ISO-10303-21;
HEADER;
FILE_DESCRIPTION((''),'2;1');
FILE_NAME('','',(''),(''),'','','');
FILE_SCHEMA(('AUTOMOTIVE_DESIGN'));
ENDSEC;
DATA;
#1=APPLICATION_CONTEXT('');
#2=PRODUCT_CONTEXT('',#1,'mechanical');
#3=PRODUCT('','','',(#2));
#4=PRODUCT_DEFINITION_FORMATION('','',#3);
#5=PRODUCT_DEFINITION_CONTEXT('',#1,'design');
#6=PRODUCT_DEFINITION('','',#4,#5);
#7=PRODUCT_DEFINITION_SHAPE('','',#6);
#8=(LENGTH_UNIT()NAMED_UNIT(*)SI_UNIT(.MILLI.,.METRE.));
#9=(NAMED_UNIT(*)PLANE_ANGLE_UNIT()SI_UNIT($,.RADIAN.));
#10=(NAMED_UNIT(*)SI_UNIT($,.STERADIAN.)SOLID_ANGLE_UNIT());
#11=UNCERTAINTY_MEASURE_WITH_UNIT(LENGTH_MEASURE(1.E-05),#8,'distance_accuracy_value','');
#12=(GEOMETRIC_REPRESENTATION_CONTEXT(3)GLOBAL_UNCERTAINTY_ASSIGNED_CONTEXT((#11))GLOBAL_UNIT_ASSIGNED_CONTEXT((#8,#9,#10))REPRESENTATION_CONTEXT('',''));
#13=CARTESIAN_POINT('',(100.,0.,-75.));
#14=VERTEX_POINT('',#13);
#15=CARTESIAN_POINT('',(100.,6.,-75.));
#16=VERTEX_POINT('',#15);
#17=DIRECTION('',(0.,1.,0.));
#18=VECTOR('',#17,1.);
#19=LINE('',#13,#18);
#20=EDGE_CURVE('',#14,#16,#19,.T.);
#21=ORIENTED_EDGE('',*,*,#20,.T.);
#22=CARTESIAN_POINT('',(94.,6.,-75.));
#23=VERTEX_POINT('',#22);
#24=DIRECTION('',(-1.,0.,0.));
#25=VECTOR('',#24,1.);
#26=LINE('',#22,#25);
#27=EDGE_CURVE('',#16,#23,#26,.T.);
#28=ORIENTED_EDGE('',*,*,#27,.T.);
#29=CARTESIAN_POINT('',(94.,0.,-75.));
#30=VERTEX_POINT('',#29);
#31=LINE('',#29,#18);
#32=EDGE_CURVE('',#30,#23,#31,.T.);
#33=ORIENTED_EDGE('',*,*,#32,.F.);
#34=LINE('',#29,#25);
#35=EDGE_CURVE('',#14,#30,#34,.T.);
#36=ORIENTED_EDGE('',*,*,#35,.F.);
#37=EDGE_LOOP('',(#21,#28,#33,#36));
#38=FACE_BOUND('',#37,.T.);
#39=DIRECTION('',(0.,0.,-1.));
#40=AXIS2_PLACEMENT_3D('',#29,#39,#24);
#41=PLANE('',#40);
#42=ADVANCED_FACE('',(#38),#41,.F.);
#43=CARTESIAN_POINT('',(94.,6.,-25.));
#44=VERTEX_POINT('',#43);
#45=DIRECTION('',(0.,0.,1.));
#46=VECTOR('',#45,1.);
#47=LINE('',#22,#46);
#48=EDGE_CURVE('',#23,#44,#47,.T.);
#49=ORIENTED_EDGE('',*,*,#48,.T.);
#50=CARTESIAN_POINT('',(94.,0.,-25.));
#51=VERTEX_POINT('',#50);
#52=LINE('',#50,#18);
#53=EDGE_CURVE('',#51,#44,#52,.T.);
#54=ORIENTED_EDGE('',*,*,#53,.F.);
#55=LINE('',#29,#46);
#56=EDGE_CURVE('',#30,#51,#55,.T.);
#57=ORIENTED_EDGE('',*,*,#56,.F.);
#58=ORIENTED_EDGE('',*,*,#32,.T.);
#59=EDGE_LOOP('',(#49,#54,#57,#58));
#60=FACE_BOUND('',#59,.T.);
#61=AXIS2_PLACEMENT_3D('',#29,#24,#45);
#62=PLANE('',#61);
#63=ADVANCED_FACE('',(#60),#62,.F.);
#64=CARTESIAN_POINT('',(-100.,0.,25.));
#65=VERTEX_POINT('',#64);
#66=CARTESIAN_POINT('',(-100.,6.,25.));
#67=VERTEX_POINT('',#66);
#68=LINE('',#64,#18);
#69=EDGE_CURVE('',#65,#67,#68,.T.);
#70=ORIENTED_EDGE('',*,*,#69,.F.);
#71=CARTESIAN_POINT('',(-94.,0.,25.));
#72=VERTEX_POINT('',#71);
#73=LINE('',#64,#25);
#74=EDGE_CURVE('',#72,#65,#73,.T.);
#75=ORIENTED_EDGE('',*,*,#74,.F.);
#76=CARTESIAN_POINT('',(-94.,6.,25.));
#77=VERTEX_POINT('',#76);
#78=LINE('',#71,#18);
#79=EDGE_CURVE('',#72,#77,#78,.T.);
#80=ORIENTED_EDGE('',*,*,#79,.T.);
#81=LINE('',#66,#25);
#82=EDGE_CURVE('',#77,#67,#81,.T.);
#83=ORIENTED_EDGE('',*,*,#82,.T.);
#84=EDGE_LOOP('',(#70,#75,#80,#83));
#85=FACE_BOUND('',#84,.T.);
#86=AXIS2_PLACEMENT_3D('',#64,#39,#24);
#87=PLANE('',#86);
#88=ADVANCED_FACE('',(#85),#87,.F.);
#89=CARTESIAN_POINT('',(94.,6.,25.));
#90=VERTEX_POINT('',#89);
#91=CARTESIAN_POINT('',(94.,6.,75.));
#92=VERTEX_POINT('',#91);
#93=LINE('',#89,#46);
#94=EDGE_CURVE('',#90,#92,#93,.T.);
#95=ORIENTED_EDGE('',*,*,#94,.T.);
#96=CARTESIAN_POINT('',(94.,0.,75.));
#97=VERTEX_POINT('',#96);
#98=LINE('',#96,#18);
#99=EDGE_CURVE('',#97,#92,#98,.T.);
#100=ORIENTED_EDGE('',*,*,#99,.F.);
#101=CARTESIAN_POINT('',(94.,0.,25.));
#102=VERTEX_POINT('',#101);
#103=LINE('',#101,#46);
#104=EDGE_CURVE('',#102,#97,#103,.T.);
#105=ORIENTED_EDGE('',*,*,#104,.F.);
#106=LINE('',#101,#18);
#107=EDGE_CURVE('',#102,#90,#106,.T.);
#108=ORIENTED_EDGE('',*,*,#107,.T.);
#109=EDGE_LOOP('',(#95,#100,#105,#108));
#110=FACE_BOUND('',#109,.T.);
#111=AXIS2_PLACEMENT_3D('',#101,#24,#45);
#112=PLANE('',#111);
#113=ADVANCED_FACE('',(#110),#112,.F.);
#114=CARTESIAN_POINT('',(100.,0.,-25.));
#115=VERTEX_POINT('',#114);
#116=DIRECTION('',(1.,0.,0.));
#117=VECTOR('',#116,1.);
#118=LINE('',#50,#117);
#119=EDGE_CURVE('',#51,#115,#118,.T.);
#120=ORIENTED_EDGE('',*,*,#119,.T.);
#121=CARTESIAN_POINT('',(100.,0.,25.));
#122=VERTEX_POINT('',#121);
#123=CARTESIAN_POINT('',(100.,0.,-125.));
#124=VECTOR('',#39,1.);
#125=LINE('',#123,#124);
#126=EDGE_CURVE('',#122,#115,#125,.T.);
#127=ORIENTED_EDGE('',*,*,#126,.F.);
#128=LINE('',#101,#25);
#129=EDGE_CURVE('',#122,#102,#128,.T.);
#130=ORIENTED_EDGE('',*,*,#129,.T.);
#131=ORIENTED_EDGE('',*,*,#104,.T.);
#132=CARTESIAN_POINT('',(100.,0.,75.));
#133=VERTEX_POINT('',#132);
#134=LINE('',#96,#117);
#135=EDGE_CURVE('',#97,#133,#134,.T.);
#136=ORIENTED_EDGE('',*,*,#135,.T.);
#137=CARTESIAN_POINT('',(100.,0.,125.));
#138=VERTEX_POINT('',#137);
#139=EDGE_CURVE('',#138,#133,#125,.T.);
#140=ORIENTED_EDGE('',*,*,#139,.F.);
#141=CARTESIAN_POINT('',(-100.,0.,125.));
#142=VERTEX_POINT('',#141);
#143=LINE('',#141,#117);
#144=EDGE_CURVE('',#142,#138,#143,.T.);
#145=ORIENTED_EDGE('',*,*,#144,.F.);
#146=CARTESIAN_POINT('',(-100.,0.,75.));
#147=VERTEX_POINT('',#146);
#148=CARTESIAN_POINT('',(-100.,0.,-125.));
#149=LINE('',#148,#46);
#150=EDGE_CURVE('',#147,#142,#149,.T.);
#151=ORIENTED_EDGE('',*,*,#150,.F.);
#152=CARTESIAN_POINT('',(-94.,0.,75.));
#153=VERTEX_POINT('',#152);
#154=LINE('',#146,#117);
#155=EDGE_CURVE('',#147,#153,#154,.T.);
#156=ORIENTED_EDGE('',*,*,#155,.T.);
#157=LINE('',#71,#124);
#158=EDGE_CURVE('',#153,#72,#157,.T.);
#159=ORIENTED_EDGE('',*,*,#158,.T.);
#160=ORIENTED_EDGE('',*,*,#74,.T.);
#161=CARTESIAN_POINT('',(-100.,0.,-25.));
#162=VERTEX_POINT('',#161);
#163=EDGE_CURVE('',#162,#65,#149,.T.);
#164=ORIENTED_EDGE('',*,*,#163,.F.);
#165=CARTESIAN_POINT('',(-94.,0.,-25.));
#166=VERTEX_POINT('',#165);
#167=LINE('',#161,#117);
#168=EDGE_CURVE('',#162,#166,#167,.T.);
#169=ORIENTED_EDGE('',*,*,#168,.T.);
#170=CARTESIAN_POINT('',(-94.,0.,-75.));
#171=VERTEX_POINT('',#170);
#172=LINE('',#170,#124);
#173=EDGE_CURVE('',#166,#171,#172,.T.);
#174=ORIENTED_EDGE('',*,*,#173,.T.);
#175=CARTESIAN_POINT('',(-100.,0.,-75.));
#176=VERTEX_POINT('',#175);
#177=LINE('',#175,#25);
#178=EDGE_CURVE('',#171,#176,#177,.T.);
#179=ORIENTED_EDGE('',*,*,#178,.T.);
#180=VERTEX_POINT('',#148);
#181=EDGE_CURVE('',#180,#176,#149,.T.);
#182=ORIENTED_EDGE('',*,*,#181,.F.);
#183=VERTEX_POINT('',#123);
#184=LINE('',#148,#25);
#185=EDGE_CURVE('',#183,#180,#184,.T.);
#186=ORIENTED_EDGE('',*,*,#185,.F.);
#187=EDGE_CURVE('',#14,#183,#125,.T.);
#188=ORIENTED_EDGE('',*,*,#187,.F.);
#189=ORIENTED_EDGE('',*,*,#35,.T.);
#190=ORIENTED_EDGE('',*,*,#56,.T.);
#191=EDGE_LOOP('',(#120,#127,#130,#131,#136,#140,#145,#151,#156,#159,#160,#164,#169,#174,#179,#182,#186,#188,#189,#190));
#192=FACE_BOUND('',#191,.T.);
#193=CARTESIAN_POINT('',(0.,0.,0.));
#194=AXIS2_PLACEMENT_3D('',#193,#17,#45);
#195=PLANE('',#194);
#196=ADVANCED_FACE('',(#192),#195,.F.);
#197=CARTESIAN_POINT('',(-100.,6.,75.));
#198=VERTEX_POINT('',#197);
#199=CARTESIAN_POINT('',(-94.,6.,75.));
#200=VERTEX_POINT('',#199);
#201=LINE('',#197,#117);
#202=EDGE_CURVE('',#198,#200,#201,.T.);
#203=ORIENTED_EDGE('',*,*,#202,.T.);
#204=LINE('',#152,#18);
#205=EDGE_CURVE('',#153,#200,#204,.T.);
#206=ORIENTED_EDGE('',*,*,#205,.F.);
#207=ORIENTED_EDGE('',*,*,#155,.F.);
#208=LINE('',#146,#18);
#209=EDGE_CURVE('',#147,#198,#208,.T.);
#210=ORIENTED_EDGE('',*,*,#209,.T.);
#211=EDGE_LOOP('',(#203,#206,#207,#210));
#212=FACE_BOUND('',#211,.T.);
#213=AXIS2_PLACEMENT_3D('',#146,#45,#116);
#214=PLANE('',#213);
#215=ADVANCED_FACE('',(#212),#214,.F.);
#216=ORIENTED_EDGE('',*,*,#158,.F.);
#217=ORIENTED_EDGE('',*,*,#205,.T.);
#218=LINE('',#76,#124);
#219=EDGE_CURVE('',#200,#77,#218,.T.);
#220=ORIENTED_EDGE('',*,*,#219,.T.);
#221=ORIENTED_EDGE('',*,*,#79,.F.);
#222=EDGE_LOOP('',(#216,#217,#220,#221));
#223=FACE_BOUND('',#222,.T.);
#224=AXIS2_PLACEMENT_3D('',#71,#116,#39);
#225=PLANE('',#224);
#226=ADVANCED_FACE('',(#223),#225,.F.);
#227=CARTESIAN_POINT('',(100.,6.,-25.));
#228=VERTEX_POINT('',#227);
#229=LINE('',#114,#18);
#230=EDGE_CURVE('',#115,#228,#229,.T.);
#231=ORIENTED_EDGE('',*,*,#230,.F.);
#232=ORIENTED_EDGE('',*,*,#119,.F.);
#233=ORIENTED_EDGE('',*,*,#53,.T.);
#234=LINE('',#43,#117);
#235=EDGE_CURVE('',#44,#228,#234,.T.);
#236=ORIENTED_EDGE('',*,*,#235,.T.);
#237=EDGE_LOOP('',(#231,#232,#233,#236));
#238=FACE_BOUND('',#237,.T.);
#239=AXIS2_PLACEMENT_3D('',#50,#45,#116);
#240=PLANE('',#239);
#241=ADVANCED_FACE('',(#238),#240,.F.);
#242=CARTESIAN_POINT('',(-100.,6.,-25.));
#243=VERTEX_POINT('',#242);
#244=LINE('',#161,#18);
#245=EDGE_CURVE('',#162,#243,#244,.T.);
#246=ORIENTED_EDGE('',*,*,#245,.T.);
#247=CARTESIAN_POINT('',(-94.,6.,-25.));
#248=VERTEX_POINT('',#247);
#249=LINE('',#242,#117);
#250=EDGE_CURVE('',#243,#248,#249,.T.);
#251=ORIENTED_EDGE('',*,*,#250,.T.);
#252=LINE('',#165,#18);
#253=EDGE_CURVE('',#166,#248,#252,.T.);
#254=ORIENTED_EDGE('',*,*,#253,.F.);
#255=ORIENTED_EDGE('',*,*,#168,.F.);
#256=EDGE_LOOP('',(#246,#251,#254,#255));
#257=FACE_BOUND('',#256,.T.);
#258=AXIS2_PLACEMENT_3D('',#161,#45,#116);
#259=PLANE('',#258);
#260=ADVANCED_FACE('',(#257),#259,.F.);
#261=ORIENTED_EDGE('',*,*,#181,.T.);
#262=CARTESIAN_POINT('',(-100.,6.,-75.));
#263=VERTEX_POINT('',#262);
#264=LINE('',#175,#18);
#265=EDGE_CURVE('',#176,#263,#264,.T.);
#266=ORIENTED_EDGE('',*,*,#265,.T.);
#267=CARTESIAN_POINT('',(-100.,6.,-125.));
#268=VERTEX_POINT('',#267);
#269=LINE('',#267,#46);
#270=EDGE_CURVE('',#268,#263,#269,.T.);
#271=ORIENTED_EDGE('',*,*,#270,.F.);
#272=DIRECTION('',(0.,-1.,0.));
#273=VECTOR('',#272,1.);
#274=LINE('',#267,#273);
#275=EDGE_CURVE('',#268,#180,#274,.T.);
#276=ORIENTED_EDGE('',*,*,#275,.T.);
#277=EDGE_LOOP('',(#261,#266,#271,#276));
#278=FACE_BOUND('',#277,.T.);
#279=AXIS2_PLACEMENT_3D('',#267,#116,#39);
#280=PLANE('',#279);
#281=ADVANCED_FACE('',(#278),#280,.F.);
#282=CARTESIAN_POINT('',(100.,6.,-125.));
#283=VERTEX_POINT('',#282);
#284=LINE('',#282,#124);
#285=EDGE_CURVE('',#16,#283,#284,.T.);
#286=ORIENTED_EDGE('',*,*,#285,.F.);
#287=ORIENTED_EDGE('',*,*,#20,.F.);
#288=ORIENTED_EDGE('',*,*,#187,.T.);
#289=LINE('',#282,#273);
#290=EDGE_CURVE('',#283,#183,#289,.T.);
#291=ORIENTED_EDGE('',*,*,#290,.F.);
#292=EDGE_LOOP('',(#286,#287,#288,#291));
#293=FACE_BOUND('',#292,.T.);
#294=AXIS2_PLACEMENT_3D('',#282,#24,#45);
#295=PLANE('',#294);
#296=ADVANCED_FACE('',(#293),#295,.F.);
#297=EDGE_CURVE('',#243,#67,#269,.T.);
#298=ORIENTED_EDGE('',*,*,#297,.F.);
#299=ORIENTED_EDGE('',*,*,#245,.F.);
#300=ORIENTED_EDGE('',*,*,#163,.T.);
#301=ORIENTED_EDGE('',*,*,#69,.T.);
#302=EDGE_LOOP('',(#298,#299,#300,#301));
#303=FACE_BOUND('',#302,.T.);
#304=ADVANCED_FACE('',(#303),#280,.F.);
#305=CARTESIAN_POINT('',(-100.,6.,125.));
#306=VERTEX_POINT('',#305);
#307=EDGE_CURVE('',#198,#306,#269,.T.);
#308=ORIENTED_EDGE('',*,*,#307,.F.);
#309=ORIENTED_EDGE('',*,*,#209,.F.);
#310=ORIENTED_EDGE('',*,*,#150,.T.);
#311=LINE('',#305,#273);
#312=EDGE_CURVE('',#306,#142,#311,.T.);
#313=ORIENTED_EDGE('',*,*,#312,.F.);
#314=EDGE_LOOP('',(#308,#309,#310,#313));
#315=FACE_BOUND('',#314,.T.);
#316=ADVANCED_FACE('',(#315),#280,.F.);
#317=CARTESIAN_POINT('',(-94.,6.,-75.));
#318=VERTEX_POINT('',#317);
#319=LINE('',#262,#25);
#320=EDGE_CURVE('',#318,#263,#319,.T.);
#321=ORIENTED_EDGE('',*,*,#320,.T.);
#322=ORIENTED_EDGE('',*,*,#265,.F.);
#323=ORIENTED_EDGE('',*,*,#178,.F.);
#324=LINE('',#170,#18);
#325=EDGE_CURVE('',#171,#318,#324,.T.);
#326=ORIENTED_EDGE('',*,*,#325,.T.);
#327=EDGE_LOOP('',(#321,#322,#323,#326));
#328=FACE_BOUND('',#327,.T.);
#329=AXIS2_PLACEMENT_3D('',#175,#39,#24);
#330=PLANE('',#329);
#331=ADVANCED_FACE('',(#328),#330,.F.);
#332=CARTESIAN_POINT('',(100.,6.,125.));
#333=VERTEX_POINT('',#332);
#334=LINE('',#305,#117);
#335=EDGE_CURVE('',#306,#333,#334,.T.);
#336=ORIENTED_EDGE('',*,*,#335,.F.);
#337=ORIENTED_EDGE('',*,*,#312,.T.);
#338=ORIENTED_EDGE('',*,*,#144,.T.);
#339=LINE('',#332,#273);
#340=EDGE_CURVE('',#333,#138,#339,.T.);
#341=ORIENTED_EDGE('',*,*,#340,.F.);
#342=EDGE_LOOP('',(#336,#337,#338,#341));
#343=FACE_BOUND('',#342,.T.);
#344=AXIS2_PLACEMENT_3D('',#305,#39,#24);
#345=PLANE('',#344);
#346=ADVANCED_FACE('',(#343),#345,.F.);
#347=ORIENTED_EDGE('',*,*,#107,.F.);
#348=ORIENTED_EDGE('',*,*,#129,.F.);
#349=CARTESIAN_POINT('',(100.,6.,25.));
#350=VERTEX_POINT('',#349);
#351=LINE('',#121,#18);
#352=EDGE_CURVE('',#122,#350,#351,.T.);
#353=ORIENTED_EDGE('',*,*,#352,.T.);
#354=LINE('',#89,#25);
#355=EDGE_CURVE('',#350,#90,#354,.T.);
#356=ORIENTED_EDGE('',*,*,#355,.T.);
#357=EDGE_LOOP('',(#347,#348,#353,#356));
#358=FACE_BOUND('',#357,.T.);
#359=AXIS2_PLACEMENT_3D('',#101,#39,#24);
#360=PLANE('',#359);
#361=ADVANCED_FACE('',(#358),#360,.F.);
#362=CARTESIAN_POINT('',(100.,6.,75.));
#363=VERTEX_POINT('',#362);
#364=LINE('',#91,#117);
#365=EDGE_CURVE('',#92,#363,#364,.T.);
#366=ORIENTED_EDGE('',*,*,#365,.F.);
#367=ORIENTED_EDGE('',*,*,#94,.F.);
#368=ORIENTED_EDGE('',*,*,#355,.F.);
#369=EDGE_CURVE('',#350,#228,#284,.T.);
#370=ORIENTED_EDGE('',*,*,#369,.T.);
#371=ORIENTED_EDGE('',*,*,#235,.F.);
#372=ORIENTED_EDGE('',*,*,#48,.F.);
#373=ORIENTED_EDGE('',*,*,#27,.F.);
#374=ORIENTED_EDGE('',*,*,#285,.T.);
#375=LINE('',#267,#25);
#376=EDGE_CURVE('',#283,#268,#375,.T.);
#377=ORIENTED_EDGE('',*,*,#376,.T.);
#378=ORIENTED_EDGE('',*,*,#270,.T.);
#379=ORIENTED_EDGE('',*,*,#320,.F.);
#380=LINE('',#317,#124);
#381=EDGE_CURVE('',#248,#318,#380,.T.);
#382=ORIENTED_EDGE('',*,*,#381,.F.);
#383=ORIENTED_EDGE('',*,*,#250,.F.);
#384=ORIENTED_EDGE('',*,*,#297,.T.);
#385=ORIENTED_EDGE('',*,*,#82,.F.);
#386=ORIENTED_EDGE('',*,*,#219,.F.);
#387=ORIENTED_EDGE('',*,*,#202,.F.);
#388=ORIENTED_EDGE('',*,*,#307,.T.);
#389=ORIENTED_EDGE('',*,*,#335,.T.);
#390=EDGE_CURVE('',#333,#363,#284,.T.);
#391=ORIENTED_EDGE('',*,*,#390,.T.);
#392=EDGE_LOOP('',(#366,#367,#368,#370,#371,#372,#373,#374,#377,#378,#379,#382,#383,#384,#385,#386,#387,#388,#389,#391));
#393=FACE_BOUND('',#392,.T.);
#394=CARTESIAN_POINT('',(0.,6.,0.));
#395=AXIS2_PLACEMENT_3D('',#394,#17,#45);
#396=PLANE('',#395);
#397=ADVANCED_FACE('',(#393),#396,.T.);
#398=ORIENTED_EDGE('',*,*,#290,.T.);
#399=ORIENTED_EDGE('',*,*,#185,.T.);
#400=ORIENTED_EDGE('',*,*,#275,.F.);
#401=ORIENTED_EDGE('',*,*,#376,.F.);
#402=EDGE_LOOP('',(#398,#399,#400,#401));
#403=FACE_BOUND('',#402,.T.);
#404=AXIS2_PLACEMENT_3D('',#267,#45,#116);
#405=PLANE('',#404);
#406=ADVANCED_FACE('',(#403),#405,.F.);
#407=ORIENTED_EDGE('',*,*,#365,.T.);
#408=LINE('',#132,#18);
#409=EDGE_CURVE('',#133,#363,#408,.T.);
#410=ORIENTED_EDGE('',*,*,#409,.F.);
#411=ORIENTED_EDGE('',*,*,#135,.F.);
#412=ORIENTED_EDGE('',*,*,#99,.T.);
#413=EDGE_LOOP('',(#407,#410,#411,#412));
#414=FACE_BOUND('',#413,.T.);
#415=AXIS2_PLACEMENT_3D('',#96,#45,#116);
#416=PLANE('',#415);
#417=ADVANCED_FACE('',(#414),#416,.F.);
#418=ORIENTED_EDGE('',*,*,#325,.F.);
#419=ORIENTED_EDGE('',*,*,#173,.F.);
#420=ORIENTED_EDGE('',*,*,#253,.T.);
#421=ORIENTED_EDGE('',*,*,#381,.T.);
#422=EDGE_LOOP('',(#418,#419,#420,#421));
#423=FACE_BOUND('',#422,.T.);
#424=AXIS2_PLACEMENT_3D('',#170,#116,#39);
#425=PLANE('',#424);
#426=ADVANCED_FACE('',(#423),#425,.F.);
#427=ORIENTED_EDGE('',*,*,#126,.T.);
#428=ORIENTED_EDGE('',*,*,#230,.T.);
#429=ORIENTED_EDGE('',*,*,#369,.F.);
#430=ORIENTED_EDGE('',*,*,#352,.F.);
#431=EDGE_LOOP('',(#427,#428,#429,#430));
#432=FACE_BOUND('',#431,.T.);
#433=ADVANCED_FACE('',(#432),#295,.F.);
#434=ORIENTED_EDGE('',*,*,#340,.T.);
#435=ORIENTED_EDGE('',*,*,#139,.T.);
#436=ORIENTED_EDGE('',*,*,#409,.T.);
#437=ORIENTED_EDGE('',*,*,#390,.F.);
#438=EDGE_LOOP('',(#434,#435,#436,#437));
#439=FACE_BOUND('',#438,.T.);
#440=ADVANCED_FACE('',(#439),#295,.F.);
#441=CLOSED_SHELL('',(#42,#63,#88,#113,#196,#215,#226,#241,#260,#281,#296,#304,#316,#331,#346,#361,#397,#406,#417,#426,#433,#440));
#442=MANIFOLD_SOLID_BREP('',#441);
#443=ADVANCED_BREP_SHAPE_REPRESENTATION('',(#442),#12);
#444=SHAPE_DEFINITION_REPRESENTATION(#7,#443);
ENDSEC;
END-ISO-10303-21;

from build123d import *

# Parameters (mm, degrees)
SKETCH1_W           = 200
SKETCH1_H           = 250
BOSS_EXTRUDE1_DEPTH = 6
SKETCH2_W           = 6
SKETCH2_H           = 50
CUT_EXTRUDE1_DEPTH  = 6


with BuildPart() as part:
    # Sketch1 → Boss-Extrude1 (new body)
    with BuildSketch(Plane(origin=(0, 0, 0), x_dir=(1, 0, 0), z_dir=(0, 1, 0))):
        Rectangle(SKETCH1_W, SKETCH1_H)
    extrude(amount=BOSS_EXTRUDE1_DEPTH)

    # Sketch2 → Cut-Extrude1 (cut)
    with BuildSketch(Plane(origin=(0, 6, 0), x_dir=(1, 0, 0), z_dir=(0, 1, 0))):
        with Locations((-97, 50)):
            Rectangle(SKETCH2_W, SKETCH2_H)
        with Locations((97, 50)):
            Rectangle(SKETCH2_W, SKETCH2_H)
        with Locations((97, -50)):
            Rectangle(SKETCH2_W, SKETCH2_H)
        with Locations((-97, -50)):
            Rectangle(SKETCH2_W, SKETCH2_H)
    extrude(amount=-CUT_EXTRUDE1_DEPTH, mode=Mode.SUBTRACT)


solid = part.part
